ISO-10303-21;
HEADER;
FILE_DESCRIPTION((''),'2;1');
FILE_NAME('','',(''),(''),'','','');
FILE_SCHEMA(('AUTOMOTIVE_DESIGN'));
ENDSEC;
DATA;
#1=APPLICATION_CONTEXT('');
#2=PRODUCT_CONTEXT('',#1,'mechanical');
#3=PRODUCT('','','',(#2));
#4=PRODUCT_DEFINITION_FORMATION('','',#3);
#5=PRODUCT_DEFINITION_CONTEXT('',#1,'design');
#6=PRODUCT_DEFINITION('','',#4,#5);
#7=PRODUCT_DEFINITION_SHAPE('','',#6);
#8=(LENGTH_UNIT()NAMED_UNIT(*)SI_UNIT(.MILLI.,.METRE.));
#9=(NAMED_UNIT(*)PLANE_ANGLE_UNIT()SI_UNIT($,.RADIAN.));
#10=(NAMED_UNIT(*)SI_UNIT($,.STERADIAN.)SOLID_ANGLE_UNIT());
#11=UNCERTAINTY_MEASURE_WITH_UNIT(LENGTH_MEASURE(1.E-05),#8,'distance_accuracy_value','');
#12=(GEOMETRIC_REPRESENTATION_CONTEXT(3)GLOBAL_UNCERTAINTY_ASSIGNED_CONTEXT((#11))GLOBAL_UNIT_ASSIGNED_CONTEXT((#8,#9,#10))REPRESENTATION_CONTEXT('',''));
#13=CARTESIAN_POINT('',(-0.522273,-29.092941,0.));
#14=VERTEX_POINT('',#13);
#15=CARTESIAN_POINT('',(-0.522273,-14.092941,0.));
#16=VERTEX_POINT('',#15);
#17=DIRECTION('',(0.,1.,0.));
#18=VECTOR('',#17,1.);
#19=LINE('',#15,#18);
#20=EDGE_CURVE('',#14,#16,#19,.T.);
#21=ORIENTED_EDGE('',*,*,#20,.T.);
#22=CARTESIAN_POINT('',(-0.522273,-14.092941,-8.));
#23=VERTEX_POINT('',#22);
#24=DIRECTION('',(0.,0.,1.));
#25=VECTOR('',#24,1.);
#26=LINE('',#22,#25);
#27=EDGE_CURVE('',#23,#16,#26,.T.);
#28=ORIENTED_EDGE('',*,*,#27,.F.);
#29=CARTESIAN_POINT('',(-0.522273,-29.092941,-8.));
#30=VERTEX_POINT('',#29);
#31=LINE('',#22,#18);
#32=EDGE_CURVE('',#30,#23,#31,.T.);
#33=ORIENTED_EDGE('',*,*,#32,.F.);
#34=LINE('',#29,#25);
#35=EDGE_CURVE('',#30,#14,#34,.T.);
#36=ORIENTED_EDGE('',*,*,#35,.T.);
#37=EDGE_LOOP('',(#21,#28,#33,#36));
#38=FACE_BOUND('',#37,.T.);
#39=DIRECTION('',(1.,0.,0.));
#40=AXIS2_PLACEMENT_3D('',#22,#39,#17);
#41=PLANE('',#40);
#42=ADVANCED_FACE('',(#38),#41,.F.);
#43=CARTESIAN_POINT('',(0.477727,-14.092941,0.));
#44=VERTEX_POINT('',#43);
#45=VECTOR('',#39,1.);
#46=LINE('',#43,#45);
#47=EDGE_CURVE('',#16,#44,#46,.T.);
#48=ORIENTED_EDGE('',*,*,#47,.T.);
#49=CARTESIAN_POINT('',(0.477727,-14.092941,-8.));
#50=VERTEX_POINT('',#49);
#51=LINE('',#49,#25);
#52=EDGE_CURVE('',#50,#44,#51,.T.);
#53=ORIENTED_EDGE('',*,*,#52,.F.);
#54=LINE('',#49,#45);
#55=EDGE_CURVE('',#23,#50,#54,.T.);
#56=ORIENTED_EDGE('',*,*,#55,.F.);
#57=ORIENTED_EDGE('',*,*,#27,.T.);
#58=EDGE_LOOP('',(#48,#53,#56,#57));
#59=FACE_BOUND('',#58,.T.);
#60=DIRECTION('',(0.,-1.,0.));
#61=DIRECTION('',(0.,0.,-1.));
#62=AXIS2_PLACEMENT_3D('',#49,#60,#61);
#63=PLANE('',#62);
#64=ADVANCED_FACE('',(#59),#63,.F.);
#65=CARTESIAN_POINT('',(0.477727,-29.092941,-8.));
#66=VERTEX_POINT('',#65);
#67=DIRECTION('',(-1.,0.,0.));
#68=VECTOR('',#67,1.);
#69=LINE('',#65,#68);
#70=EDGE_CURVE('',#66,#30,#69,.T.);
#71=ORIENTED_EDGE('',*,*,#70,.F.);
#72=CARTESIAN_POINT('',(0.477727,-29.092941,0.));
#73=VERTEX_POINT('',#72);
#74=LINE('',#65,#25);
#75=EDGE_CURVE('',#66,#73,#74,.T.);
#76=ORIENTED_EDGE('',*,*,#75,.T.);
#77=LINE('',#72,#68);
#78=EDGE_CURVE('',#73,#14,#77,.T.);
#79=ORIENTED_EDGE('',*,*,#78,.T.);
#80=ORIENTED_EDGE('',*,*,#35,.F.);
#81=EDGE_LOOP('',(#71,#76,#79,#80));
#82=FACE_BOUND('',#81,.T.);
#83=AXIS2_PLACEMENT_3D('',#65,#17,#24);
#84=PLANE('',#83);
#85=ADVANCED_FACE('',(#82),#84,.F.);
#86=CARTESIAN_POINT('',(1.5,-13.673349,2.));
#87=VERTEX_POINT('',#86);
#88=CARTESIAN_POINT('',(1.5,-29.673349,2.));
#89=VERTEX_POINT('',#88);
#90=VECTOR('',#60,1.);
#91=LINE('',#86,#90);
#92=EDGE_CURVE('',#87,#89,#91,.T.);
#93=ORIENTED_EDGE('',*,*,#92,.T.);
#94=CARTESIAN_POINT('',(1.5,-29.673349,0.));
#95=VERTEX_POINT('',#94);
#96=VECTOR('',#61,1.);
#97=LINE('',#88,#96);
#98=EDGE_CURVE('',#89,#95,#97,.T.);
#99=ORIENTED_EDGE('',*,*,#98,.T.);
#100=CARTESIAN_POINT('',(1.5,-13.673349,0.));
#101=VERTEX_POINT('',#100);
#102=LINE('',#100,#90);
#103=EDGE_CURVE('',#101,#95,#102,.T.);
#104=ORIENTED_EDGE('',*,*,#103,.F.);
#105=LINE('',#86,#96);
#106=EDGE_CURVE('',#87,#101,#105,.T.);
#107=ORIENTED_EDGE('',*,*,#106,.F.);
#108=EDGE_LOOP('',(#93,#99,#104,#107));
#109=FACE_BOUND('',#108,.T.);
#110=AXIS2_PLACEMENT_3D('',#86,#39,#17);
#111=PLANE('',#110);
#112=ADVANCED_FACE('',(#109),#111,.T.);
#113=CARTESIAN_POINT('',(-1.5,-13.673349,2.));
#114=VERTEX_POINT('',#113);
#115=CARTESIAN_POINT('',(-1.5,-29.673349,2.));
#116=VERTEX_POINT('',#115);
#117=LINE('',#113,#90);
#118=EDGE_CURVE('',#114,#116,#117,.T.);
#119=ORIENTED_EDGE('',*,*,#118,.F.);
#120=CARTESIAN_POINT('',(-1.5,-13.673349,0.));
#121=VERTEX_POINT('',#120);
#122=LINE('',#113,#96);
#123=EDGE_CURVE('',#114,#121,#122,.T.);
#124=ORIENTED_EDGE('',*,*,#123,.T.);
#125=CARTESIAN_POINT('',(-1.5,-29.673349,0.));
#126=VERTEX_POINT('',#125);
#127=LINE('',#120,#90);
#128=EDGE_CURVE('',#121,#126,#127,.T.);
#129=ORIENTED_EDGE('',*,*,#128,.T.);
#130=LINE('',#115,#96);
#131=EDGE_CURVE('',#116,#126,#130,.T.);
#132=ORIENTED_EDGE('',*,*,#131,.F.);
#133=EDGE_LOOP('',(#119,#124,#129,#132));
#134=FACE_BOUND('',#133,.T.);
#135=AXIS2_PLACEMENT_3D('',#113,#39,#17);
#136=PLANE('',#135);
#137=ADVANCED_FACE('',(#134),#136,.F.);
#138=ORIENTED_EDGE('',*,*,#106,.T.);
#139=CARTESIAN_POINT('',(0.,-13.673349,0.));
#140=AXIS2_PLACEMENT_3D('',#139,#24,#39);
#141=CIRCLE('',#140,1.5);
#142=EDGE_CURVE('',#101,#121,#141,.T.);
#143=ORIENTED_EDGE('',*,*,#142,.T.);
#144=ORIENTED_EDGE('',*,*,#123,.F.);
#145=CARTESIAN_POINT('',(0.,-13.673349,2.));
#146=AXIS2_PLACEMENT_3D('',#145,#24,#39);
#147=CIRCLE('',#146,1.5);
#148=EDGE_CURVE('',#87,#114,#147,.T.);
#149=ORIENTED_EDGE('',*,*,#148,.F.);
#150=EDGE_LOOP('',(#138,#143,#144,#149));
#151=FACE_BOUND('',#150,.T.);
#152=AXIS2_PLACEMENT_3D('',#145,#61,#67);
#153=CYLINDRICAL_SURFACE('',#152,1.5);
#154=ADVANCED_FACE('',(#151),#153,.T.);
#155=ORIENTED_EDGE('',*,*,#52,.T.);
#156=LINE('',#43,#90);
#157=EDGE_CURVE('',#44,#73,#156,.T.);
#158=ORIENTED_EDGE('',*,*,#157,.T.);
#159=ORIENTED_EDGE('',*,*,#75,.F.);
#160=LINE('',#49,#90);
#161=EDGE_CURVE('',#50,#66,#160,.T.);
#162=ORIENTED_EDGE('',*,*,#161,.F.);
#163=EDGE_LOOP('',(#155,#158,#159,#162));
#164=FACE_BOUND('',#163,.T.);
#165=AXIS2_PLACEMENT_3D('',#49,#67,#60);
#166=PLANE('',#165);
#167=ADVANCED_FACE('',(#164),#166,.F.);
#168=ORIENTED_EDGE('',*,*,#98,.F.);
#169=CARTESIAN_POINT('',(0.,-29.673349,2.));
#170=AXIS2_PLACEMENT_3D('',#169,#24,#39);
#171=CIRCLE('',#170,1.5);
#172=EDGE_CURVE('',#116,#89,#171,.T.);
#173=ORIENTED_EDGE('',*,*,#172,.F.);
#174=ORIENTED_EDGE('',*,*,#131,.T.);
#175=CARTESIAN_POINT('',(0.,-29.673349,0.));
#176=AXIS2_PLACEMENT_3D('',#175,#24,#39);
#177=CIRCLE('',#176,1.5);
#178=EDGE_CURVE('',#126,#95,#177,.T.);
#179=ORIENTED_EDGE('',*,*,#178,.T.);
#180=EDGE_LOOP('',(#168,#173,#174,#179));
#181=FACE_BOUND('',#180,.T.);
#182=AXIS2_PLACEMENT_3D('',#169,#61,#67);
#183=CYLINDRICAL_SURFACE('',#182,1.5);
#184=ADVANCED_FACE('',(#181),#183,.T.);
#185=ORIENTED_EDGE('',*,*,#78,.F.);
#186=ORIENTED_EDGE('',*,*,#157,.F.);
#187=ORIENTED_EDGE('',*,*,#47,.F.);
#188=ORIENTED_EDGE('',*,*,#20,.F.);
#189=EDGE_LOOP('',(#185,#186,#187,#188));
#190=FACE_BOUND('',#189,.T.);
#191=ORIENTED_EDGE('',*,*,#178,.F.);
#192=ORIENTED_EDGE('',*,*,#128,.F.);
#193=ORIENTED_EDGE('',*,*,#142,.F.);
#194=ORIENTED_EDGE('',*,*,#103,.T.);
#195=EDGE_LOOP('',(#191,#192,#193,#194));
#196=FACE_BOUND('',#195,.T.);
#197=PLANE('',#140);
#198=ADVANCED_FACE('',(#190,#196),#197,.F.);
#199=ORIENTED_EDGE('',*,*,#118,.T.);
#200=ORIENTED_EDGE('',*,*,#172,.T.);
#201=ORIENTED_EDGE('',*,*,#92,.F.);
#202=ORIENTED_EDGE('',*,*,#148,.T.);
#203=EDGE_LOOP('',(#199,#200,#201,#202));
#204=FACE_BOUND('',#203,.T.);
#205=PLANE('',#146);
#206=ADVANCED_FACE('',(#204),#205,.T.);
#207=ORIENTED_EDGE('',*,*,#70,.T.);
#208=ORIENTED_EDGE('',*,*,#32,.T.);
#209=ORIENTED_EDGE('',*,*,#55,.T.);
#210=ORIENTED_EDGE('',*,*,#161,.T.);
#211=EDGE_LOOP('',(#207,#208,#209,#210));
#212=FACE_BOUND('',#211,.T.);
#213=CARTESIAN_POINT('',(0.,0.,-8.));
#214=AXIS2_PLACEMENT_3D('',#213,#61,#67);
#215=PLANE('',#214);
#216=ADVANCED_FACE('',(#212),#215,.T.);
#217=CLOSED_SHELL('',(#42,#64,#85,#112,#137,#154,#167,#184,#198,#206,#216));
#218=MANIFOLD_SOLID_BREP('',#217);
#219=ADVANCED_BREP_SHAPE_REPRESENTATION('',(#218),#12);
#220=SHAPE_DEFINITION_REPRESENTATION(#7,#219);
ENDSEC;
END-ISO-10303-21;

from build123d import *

# Parameters (mm, degrees)
EXTRUDE_1_DEPTH = 2
SKETCH_2_W      = 1
SKETCH_2_H      = 15
EXTRUDE_2_DEPTH = 8


with BuildPart() as part:
    # 草图1 → 凸台-拉伸1 (new body)
    with BuildSketch(Plane.XY):
        with BuildLine():
            Line((1.5, -13.673349455), (1.5, -29.673349455))
            ThreePointArc((1.5, -29.673349455), (0, -31.173349455), (-1.5, -29.673349455))
            Line((-1.5, -29.673349455), (-1.5, -13.673349455))
            ThreePointArc((-1.5, -13.673349455), (0, -12.173349455), (1.5, -13.673349455))
        make_face()
    extrude(amount=EXTRUDE_1_DEPTH)

    # 草图2 → 凸台-拉伸2 (add)
    with BuildSketch(Plane(origin=(0, 0, 0), x_dir=(-1, 0, 0), z_dir=(0, 0, -1))):
        with Locations((0.022272941, -21.592941234)):
            Rectangle(SKETCH_2_W, SKETCH_2_H)
    extrude(amount=EXTRUDE_2_DEPTH)


solid = part.part
